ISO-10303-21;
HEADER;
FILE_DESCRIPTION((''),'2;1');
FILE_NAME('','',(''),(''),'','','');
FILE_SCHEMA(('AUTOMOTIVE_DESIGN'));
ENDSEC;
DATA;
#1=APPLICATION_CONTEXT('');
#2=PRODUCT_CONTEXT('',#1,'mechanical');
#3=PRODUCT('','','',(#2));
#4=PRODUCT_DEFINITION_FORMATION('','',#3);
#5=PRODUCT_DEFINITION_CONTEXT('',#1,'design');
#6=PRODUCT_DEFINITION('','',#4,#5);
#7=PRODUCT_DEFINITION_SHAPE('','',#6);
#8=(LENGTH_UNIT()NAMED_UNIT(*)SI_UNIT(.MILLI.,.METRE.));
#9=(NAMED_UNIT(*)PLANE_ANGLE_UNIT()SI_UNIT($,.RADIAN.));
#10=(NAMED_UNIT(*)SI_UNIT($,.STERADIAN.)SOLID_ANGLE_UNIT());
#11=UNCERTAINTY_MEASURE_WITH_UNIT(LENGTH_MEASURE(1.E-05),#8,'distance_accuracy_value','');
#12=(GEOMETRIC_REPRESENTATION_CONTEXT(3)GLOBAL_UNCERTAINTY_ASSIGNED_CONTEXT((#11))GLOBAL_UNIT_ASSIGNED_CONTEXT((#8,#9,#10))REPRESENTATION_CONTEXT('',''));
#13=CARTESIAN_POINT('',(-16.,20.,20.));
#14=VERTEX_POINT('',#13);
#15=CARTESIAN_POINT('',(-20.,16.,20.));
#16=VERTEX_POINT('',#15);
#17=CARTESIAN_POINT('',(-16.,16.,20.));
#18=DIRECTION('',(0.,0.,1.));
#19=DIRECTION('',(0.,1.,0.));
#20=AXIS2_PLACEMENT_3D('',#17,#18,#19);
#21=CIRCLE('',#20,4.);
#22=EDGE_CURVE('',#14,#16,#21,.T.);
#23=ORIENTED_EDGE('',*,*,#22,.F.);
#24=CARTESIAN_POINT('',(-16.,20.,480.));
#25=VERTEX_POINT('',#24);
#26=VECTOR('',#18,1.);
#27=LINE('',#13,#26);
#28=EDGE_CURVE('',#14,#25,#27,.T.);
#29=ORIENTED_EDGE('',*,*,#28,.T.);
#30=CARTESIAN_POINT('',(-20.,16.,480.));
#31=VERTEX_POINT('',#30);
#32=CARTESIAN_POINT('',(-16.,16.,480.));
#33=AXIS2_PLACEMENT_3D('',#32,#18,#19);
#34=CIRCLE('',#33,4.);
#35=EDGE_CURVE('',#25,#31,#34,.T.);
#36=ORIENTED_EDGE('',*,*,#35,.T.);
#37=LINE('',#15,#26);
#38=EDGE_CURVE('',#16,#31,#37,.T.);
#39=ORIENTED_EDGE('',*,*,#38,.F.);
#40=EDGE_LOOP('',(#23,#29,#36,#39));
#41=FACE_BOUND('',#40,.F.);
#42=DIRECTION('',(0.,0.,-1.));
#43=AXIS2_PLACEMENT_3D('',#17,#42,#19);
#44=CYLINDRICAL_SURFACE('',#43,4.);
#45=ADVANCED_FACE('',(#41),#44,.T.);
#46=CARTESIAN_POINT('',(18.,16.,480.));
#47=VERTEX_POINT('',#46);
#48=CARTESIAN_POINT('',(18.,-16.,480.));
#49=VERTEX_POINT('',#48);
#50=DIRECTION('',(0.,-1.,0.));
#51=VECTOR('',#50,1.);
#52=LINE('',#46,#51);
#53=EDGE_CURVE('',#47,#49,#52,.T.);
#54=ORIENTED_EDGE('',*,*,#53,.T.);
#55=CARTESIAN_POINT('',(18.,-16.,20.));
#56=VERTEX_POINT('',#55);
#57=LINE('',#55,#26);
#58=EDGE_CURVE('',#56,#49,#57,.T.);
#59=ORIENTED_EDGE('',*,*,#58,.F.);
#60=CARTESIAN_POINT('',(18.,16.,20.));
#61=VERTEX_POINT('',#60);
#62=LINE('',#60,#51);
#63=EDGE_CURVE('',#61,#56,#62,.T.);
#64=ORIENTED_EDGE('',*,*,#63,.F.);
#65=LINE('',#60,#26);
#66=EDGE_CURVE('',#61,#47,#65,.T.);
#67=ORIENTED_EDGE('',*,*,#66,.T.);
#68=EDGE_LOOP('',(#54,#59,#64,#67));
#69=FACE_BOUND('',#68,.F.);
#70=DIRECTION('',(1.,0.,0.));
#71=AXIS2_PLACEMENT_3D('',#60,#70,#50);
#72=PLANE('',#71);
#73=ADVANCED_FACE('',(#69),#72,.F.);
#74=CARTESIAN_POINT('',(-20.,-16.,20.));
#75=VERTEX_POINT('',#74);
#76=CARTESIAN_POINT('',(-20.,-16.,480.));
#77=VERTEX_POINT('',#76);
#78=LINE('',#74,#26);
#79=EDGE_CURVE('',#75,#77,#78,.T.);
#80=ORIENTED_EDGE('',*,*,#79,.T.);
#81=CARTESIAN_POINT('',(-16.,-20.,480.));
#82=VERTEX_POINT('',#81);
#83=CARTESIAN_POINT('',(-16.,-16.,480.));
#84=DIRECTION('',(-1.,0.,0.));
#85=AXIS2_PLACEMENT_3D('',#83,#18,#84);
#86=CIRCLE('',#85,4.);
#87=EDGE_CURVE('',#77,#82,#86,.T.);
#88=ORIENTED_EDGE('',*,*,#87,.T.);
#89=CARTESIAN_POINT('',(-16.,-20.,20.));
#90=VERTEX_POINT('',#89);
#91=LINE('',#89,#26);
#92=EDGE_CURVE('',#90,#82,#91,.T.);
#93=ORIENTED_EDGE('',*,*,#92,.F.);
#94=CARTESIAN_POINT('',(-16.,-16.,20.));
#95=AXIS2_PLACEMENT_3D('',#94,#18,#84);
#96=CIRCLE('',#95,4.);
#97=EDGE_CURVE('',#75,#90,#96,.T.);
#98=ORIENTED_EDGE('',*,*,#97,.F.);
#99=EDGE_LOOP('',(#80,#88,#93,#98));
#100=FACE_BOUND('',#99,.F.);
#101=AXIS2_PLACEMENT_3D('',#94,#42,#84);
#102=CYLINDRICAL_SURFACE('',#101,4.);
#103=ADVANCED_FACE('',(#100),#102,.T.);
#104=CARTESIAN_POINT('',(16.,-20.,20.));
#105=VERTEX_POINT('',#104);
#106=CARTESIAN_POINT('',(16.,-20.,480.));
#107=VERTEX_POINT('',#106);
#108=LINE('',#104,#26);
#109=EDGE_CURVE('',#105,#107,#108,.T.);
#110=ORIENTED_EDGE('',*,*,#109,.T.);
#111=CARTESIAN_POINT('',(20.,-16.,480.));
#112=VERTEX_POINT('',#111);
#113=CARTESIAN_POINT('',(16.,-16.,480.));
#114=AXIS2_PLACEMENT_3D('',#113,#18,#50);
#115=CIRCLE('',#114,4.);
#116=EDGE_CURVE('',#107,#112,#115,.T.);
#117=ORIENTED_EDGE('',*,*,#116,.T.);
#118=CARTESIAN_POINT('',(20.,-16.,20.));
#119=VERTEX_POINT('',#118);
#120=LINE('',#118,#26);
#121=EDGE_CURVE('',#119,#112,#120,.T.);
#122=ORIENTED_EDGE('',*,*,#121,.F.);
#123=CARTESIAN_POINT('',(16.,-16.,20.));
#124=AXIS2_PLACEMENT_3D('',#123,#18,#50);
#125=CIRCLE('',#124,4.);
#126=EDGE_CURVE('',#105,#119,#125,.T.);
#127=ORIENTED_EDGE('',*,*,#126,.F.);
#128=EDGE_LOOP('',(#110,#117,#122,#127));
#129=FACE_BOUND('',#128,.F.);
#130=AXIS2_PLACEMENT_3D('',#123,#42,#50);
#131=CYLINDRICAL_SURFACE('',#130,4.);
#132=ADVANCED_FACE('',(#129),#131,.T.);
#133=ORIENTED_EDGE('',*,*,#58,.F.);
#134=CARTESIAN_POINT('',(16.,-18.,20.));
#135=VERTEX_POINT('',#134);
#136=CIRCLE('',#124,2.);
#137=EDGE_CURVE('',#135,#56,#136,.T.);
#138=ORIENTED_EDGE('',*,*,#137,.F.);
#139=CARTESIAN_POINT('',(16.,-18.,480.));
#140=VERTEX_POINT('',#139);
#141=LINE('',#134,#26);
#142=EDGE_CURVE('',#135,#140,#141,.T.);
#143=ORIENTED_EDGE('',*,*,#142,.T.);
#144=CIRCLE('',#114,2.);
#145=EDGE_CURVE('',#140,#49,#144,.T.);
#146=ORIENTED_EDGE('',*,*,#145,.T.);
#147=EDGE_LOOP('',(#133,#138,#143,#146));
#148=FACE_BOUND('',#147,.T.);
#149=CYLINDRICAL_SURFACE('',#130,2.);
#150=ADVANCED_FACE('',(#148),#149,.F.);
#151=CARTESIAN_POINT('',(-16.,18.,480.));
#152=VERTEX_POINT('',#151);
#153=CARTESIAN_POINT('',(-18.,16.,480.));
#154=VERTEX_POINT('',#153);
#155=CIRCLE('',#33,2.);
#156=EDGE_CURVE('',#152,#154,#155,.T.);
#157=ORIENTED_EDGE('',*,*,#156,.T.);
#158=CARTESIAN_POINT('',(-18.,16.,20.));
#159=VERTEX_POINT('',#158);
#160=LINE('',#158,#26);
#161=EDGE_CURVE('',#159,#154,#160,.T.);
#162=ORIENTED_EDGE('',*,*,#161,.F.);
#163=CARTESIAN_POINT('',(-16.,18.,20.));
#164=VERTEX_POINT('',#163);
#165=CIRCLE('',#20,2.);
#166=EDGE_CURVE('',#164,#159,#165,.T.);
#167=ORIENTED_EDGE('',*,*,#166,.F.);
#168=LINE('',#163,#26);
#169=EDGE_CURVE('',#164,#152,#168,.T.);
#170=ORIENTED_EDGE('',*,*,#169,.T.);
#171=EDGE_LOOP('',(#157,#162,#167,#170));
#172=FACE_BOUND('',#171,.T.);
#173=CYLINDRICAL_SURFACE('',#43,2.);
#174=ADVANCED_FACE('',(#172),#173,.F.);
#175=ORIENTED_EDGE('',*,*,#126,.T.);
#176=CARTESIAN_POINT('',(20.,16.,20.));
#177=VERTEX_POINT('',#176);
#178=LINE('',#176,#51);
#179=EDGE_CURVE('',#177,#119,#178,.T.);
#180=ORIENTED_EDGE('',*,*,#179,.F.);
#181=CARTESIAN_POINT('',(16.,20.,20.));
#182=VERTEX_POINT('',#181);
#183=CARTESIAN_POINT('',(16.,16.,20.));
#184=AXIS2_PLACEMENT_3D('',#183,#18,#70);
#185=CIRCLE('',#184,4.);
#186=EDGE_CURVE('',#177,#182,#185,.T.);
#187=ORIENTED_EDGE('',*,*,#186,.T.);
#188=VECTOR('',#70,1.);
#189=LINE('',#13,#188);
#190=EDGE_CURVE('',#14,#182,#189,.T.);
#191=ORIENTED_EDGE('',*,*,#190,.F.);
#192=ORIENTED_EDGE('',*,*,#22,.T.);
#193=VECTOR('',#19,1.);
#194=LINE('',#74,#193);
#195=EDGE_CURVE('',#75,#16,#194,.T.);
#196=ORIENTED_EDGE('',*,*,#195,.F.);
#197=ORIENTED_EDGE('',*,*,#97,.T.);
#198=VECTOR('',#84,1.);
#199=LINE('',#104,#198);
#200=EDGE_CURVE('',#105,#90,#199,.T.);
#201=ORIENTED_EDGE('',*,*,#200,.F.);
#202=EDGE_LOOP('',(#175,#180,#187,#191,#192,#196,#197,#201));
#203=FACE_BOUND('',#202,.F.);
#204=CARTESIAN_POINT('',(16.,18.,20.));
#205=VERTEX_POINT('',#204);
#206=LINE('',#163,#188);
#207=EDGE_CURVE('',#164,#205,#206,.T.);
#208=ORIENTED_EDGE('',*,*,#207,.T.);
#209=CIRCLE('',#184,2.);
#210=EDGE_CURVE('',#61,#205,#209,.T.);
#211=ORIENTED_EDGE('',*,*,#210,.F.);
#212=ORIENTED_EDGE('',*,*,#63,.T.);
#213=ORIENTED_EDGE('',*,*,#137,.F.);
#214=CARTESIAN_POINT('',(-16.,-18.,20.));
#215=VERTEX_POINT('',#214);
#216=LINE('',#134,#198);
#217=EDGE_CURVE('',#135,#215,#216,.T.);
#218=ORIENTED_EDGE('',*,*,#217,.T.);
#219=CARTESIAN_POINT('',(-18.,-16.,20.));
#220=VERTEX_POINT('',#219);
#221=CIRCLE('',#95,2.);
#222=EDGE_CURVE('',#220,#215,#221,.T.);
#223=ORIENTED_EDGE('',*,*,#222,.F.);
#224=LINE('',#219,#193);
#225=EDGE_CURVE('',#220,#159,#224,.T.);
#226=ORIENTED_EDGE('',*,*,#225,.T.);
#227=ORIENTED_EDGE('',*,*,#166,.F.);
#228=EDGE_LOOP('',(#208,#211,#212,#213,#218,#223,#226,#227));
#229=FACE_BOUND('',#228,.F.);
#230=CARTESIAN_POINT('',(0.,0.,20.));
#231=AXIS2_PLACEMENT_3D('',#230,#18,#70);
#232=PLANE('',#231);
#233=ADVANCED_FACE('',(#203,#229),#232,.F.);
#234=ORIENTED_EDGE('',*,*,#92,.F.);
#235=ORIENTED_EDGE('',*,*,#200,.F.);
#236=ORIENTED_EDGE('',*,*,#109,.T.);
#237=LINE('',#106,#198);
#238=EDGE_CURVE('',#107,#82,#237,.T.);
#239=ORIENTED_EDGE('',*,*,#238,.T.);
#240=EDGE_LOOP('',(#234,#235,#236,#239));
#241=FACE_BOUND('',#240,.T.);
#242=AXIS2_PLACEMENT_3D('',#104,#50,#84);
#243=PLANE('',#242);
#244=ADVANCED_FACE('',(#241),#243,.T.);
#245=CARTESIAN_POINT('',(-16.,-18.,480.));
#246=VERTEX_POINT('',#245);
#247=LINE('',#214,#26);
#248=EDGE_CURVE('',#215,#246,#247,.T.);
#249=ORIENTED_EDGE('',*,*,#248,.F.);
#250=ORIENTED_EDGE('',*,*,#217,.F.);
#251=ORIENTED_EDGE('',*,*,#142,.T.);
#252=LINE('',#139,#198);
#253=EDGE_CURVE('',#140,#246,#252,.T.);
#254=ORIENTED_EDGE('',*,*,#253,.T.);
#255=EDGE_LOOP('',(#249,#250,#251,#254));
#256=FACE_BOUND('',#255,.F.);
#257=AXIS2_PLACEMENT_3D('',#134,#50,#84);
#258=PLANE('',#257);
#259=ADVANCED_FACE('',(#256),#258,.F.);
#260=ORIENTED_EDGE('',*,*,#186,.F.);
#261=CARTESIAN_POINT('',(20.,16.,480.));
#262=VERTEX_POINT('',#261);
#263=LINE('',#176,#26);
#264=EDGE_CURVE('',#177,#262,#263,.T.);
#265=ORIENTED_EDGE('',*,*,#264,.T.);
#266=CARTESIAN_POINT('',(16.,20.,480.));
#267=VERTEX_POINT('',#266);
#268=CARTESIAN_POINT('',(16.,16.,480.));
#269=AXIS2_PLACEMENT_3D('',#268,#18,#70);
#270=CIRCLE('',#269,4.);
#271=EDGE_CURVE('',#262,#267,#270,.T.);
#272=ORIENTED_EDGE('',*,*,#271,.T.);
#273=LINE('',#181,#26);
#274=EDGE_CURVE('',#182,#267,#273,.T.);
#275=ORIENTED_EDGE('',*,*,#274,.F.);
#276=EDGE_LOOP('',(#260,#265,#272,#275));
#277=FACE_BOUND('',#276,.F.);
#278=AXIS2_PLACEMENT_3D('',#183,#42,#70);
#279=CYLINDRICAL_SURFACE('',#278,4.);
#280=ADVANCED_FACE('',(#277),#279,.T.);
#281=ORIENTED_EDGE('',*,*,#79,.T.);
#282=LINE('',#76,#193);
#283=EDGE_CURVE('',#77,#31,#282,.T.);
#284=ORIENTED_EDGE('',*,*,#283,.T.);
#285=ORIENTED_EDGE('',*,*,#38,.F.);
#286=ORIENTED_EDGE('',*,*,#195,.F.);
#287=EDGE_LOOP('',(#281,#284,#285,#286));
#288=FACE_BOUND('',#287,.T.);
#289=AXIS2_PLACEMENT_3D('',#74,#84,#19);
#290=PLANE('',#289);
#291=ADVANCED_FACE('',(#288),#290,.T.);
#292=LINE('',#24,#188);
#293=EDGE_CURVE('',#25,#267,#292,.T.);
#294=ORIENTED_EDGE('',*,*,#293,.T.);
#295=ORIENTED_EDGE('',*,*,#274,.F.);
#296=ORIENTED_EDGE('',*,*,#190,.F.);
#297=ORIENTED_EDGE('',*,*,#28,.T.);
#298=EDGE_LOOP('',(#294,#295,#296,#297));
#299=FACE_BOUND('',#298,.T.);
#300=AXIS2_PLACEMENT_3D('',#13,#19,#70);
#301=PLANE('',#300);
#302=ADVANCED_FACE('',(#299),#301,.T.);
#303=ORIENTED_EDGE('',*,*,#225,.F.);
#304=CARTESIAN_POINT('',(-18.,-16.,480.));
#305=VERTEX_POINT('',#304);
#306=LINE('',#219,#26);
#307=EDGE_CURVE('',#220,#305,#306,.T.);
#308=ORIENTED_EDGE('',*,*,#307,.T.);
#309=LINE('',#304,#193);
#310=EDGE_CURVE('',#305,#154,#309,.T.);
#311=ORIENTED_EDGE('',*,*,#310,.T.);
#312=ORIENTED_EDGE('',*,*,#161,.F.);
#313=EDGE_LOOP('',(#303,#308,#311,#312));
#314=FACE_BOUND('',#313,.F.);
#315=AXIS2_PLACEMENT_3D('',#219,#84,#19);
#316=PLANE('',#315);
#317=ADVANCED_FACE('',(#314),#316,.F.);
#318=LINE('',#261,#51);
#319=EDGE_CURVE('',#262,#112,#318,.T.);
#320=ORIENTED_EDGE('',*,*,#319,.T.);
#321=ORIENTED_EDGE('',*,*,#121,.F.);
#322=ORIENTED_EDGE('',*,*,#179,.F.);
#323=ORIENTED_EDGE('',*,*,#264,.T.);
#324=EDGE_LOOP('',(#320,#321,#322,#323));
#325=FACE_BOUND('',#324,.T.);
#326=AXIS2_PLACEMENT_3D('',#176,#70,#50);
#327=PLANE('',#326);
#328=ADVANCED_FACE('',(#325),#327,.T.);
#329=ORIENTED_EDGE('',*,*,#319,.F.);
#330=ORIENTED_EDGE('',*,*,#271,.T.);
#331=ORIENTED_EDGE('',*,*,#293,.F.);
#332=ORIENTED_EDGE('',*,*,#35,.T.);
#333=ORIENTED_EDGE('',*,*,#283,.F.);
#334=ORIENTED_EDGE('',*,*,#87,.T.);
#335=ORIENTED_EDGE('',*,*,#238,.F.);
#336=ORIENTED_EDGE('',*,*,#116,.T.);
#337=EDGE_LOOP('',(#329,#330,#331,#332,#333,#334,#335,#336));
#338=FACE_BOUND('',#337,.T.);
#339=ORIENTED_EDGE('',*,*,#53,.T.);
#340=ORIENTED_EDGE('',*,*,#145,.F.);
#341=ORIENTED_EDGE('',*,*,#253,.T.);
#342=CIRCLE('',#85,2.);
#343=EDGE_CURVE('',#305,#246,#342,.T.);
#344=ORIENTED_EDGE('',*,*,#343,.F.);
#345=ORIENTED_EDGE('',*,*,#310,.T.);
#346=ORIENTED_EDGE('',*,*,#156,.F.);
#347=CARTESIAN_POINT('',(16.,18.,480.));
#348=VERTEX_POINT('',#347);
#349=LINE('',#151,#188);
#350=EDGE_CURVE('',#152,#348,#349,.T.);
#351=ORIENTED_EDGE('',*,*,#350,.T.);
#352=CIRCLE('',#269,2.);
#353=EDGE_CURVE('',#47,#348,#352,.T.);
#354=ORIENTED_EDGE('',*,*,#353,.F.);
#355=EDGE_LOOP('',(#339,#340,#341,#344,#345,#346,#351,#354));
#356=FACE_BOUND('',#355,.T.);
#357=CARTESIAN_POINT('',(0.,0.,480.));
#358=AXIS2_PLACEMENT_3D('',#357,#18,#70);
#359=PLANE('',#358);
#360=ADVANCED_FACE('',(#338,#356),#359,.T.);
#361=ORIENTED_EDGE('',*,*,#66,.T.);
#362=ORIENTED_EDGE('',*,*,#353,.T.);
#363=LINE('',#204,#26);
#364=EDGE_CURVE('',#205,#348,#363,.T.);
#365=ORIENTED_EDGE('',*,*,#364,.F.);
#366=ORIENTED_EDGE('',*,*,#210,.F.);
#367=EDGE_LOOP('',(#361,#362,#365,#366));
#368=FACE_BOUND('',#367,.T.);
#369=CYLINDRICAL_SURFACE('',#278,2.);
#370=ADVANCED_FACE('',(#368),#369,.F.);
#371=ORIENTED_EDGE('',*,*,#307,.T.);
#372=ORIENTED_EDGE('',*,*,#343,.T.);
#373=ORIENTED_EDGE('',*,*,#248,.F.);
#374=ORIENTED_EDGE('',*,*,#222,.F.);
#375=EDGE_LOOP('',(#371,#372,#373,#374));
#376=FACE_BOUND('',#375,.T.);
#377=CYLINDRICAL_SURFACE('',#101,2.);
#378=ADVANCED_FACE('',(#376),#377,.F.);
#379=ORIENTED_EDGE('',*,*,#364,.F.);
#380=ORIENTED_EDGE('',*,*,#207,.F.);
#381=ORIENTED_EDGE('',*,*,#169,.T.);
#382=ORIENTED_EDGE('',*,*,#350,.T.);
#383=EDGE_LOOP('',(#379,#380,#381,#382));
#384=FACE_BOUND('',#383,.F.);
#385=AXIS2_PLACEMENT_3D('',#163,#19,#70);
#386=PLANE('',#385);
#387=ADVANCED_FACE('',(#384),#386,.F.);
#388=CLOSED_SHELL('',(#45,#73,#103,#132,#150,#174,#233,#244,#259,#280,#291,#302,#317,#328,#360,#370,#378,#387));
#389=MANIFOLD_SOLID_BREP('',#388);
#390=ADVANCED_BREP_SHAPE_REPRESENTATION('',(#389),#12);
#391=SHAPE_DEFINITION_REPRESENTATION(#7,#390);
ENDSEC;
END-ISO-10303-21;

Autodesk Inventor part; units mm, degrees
ref_plane "YZ Plane" through (0, 0, 0) normal (1, 0, 0) x (0, 1, 0)
ref_plane "Start Plane" through (0, 0, 20) normal (0, 0, 1) x (1, 0, 0)
ref_plane "End Plane" through (0, 0, 480) normal (0, 0, 1) x (1, 0, 0)
sketch "Sketch" plane through (0, 0, 0) normal (0, 0, 1) x (1, 0, 0)
  line L0 (-20, -16) -> (-20, 16)
  line L1 (-16, 20) -> (16, 20)
  line L2 (20, 16) -> (20, -16)
  line L3 (16, -20) -> (-16, -20)
  arc A0 (-20, -16) -> (-16, -20) centre (-16, -16) ccw
  arc A1 (20, 16) -> (16, 20) centre (16, 16) ccw
  arc A2 (-16, 20) -> (-20, 16) centre (-16, 16) ccw
  arc A3 (16, -20) -> (20, -16) centre (16, -16) ccw
  arc A4 (-16, 18) -> (-18, 16) centre (-16, 16) ccw
  line L4 (-16, 18) -> (16, 18)
  arc A5 (18, 16) -> (16, 18) centre (16, 16) ccw
  line L5 (18, 16) -> (18, -16)
  arc A6 (16, -18) -> (18, -16) centre (16, -16) ccw
  line L6 (16, -18) -> (-16, -18)
  arc A7 (-18, -16) -> (-16, -18) centre (-16, -16) ccw
  line L7 (-18, -16) -> (-18, 16)
  line L8 (0, 29.1598) -> (0, -29.1598) construction
  line L9 (-29.1598, 0) -> (29.1598, 0) construction
  dimension "d7" = 4
  dimension "d9" = 40
  dimension "d11" = 40
  dimension "d12" = 2
  dimension "d15" = 20
  dimension "d16" = 20
extrude "Body" add sketch "Sketch" along normal up to surface (460 mm away) from surface at 20
sketch "Sketch3" plane through (0, 0, 0) normal (0, 0, 1) x (1, 0, 0)
  line L0 (0, 0) -> (10, 0)
ref_plane "Work Plane3" through (0, 0, 0) normal (0, -1, 0) x (1, 0, 0)
sketch "Sketch4" plane through (0, 0, 0) normal (0, -1, 0) x (1, 0, 0)
  line L0 (-2, 20) -> (12, 20) projected
  line L1 (-2, 480) -> (12, 480) projected
  dimension "d18" = 460
equation "\"d7\" = G_IR"
equation "\"d9\" = G_W"
equation "\"d11\" = G_H"
equation "\"d12\" = G_T"
equation "\"d15\" = 0.5 * d9"
equation "\"d16\" = 0.5 * d11"
equation "\"d3\" = G_L"
equation "\"G_W\" = 40"
equation "\"G_H\" = 40"
equation "\"G_T\" = 2"
equation "\"G_IR\" = 4"
equation "\"G_L\" = d18"
properties part number "ISO 10799-2 - 40x40x2 - 460" material "Steel, Mild"
